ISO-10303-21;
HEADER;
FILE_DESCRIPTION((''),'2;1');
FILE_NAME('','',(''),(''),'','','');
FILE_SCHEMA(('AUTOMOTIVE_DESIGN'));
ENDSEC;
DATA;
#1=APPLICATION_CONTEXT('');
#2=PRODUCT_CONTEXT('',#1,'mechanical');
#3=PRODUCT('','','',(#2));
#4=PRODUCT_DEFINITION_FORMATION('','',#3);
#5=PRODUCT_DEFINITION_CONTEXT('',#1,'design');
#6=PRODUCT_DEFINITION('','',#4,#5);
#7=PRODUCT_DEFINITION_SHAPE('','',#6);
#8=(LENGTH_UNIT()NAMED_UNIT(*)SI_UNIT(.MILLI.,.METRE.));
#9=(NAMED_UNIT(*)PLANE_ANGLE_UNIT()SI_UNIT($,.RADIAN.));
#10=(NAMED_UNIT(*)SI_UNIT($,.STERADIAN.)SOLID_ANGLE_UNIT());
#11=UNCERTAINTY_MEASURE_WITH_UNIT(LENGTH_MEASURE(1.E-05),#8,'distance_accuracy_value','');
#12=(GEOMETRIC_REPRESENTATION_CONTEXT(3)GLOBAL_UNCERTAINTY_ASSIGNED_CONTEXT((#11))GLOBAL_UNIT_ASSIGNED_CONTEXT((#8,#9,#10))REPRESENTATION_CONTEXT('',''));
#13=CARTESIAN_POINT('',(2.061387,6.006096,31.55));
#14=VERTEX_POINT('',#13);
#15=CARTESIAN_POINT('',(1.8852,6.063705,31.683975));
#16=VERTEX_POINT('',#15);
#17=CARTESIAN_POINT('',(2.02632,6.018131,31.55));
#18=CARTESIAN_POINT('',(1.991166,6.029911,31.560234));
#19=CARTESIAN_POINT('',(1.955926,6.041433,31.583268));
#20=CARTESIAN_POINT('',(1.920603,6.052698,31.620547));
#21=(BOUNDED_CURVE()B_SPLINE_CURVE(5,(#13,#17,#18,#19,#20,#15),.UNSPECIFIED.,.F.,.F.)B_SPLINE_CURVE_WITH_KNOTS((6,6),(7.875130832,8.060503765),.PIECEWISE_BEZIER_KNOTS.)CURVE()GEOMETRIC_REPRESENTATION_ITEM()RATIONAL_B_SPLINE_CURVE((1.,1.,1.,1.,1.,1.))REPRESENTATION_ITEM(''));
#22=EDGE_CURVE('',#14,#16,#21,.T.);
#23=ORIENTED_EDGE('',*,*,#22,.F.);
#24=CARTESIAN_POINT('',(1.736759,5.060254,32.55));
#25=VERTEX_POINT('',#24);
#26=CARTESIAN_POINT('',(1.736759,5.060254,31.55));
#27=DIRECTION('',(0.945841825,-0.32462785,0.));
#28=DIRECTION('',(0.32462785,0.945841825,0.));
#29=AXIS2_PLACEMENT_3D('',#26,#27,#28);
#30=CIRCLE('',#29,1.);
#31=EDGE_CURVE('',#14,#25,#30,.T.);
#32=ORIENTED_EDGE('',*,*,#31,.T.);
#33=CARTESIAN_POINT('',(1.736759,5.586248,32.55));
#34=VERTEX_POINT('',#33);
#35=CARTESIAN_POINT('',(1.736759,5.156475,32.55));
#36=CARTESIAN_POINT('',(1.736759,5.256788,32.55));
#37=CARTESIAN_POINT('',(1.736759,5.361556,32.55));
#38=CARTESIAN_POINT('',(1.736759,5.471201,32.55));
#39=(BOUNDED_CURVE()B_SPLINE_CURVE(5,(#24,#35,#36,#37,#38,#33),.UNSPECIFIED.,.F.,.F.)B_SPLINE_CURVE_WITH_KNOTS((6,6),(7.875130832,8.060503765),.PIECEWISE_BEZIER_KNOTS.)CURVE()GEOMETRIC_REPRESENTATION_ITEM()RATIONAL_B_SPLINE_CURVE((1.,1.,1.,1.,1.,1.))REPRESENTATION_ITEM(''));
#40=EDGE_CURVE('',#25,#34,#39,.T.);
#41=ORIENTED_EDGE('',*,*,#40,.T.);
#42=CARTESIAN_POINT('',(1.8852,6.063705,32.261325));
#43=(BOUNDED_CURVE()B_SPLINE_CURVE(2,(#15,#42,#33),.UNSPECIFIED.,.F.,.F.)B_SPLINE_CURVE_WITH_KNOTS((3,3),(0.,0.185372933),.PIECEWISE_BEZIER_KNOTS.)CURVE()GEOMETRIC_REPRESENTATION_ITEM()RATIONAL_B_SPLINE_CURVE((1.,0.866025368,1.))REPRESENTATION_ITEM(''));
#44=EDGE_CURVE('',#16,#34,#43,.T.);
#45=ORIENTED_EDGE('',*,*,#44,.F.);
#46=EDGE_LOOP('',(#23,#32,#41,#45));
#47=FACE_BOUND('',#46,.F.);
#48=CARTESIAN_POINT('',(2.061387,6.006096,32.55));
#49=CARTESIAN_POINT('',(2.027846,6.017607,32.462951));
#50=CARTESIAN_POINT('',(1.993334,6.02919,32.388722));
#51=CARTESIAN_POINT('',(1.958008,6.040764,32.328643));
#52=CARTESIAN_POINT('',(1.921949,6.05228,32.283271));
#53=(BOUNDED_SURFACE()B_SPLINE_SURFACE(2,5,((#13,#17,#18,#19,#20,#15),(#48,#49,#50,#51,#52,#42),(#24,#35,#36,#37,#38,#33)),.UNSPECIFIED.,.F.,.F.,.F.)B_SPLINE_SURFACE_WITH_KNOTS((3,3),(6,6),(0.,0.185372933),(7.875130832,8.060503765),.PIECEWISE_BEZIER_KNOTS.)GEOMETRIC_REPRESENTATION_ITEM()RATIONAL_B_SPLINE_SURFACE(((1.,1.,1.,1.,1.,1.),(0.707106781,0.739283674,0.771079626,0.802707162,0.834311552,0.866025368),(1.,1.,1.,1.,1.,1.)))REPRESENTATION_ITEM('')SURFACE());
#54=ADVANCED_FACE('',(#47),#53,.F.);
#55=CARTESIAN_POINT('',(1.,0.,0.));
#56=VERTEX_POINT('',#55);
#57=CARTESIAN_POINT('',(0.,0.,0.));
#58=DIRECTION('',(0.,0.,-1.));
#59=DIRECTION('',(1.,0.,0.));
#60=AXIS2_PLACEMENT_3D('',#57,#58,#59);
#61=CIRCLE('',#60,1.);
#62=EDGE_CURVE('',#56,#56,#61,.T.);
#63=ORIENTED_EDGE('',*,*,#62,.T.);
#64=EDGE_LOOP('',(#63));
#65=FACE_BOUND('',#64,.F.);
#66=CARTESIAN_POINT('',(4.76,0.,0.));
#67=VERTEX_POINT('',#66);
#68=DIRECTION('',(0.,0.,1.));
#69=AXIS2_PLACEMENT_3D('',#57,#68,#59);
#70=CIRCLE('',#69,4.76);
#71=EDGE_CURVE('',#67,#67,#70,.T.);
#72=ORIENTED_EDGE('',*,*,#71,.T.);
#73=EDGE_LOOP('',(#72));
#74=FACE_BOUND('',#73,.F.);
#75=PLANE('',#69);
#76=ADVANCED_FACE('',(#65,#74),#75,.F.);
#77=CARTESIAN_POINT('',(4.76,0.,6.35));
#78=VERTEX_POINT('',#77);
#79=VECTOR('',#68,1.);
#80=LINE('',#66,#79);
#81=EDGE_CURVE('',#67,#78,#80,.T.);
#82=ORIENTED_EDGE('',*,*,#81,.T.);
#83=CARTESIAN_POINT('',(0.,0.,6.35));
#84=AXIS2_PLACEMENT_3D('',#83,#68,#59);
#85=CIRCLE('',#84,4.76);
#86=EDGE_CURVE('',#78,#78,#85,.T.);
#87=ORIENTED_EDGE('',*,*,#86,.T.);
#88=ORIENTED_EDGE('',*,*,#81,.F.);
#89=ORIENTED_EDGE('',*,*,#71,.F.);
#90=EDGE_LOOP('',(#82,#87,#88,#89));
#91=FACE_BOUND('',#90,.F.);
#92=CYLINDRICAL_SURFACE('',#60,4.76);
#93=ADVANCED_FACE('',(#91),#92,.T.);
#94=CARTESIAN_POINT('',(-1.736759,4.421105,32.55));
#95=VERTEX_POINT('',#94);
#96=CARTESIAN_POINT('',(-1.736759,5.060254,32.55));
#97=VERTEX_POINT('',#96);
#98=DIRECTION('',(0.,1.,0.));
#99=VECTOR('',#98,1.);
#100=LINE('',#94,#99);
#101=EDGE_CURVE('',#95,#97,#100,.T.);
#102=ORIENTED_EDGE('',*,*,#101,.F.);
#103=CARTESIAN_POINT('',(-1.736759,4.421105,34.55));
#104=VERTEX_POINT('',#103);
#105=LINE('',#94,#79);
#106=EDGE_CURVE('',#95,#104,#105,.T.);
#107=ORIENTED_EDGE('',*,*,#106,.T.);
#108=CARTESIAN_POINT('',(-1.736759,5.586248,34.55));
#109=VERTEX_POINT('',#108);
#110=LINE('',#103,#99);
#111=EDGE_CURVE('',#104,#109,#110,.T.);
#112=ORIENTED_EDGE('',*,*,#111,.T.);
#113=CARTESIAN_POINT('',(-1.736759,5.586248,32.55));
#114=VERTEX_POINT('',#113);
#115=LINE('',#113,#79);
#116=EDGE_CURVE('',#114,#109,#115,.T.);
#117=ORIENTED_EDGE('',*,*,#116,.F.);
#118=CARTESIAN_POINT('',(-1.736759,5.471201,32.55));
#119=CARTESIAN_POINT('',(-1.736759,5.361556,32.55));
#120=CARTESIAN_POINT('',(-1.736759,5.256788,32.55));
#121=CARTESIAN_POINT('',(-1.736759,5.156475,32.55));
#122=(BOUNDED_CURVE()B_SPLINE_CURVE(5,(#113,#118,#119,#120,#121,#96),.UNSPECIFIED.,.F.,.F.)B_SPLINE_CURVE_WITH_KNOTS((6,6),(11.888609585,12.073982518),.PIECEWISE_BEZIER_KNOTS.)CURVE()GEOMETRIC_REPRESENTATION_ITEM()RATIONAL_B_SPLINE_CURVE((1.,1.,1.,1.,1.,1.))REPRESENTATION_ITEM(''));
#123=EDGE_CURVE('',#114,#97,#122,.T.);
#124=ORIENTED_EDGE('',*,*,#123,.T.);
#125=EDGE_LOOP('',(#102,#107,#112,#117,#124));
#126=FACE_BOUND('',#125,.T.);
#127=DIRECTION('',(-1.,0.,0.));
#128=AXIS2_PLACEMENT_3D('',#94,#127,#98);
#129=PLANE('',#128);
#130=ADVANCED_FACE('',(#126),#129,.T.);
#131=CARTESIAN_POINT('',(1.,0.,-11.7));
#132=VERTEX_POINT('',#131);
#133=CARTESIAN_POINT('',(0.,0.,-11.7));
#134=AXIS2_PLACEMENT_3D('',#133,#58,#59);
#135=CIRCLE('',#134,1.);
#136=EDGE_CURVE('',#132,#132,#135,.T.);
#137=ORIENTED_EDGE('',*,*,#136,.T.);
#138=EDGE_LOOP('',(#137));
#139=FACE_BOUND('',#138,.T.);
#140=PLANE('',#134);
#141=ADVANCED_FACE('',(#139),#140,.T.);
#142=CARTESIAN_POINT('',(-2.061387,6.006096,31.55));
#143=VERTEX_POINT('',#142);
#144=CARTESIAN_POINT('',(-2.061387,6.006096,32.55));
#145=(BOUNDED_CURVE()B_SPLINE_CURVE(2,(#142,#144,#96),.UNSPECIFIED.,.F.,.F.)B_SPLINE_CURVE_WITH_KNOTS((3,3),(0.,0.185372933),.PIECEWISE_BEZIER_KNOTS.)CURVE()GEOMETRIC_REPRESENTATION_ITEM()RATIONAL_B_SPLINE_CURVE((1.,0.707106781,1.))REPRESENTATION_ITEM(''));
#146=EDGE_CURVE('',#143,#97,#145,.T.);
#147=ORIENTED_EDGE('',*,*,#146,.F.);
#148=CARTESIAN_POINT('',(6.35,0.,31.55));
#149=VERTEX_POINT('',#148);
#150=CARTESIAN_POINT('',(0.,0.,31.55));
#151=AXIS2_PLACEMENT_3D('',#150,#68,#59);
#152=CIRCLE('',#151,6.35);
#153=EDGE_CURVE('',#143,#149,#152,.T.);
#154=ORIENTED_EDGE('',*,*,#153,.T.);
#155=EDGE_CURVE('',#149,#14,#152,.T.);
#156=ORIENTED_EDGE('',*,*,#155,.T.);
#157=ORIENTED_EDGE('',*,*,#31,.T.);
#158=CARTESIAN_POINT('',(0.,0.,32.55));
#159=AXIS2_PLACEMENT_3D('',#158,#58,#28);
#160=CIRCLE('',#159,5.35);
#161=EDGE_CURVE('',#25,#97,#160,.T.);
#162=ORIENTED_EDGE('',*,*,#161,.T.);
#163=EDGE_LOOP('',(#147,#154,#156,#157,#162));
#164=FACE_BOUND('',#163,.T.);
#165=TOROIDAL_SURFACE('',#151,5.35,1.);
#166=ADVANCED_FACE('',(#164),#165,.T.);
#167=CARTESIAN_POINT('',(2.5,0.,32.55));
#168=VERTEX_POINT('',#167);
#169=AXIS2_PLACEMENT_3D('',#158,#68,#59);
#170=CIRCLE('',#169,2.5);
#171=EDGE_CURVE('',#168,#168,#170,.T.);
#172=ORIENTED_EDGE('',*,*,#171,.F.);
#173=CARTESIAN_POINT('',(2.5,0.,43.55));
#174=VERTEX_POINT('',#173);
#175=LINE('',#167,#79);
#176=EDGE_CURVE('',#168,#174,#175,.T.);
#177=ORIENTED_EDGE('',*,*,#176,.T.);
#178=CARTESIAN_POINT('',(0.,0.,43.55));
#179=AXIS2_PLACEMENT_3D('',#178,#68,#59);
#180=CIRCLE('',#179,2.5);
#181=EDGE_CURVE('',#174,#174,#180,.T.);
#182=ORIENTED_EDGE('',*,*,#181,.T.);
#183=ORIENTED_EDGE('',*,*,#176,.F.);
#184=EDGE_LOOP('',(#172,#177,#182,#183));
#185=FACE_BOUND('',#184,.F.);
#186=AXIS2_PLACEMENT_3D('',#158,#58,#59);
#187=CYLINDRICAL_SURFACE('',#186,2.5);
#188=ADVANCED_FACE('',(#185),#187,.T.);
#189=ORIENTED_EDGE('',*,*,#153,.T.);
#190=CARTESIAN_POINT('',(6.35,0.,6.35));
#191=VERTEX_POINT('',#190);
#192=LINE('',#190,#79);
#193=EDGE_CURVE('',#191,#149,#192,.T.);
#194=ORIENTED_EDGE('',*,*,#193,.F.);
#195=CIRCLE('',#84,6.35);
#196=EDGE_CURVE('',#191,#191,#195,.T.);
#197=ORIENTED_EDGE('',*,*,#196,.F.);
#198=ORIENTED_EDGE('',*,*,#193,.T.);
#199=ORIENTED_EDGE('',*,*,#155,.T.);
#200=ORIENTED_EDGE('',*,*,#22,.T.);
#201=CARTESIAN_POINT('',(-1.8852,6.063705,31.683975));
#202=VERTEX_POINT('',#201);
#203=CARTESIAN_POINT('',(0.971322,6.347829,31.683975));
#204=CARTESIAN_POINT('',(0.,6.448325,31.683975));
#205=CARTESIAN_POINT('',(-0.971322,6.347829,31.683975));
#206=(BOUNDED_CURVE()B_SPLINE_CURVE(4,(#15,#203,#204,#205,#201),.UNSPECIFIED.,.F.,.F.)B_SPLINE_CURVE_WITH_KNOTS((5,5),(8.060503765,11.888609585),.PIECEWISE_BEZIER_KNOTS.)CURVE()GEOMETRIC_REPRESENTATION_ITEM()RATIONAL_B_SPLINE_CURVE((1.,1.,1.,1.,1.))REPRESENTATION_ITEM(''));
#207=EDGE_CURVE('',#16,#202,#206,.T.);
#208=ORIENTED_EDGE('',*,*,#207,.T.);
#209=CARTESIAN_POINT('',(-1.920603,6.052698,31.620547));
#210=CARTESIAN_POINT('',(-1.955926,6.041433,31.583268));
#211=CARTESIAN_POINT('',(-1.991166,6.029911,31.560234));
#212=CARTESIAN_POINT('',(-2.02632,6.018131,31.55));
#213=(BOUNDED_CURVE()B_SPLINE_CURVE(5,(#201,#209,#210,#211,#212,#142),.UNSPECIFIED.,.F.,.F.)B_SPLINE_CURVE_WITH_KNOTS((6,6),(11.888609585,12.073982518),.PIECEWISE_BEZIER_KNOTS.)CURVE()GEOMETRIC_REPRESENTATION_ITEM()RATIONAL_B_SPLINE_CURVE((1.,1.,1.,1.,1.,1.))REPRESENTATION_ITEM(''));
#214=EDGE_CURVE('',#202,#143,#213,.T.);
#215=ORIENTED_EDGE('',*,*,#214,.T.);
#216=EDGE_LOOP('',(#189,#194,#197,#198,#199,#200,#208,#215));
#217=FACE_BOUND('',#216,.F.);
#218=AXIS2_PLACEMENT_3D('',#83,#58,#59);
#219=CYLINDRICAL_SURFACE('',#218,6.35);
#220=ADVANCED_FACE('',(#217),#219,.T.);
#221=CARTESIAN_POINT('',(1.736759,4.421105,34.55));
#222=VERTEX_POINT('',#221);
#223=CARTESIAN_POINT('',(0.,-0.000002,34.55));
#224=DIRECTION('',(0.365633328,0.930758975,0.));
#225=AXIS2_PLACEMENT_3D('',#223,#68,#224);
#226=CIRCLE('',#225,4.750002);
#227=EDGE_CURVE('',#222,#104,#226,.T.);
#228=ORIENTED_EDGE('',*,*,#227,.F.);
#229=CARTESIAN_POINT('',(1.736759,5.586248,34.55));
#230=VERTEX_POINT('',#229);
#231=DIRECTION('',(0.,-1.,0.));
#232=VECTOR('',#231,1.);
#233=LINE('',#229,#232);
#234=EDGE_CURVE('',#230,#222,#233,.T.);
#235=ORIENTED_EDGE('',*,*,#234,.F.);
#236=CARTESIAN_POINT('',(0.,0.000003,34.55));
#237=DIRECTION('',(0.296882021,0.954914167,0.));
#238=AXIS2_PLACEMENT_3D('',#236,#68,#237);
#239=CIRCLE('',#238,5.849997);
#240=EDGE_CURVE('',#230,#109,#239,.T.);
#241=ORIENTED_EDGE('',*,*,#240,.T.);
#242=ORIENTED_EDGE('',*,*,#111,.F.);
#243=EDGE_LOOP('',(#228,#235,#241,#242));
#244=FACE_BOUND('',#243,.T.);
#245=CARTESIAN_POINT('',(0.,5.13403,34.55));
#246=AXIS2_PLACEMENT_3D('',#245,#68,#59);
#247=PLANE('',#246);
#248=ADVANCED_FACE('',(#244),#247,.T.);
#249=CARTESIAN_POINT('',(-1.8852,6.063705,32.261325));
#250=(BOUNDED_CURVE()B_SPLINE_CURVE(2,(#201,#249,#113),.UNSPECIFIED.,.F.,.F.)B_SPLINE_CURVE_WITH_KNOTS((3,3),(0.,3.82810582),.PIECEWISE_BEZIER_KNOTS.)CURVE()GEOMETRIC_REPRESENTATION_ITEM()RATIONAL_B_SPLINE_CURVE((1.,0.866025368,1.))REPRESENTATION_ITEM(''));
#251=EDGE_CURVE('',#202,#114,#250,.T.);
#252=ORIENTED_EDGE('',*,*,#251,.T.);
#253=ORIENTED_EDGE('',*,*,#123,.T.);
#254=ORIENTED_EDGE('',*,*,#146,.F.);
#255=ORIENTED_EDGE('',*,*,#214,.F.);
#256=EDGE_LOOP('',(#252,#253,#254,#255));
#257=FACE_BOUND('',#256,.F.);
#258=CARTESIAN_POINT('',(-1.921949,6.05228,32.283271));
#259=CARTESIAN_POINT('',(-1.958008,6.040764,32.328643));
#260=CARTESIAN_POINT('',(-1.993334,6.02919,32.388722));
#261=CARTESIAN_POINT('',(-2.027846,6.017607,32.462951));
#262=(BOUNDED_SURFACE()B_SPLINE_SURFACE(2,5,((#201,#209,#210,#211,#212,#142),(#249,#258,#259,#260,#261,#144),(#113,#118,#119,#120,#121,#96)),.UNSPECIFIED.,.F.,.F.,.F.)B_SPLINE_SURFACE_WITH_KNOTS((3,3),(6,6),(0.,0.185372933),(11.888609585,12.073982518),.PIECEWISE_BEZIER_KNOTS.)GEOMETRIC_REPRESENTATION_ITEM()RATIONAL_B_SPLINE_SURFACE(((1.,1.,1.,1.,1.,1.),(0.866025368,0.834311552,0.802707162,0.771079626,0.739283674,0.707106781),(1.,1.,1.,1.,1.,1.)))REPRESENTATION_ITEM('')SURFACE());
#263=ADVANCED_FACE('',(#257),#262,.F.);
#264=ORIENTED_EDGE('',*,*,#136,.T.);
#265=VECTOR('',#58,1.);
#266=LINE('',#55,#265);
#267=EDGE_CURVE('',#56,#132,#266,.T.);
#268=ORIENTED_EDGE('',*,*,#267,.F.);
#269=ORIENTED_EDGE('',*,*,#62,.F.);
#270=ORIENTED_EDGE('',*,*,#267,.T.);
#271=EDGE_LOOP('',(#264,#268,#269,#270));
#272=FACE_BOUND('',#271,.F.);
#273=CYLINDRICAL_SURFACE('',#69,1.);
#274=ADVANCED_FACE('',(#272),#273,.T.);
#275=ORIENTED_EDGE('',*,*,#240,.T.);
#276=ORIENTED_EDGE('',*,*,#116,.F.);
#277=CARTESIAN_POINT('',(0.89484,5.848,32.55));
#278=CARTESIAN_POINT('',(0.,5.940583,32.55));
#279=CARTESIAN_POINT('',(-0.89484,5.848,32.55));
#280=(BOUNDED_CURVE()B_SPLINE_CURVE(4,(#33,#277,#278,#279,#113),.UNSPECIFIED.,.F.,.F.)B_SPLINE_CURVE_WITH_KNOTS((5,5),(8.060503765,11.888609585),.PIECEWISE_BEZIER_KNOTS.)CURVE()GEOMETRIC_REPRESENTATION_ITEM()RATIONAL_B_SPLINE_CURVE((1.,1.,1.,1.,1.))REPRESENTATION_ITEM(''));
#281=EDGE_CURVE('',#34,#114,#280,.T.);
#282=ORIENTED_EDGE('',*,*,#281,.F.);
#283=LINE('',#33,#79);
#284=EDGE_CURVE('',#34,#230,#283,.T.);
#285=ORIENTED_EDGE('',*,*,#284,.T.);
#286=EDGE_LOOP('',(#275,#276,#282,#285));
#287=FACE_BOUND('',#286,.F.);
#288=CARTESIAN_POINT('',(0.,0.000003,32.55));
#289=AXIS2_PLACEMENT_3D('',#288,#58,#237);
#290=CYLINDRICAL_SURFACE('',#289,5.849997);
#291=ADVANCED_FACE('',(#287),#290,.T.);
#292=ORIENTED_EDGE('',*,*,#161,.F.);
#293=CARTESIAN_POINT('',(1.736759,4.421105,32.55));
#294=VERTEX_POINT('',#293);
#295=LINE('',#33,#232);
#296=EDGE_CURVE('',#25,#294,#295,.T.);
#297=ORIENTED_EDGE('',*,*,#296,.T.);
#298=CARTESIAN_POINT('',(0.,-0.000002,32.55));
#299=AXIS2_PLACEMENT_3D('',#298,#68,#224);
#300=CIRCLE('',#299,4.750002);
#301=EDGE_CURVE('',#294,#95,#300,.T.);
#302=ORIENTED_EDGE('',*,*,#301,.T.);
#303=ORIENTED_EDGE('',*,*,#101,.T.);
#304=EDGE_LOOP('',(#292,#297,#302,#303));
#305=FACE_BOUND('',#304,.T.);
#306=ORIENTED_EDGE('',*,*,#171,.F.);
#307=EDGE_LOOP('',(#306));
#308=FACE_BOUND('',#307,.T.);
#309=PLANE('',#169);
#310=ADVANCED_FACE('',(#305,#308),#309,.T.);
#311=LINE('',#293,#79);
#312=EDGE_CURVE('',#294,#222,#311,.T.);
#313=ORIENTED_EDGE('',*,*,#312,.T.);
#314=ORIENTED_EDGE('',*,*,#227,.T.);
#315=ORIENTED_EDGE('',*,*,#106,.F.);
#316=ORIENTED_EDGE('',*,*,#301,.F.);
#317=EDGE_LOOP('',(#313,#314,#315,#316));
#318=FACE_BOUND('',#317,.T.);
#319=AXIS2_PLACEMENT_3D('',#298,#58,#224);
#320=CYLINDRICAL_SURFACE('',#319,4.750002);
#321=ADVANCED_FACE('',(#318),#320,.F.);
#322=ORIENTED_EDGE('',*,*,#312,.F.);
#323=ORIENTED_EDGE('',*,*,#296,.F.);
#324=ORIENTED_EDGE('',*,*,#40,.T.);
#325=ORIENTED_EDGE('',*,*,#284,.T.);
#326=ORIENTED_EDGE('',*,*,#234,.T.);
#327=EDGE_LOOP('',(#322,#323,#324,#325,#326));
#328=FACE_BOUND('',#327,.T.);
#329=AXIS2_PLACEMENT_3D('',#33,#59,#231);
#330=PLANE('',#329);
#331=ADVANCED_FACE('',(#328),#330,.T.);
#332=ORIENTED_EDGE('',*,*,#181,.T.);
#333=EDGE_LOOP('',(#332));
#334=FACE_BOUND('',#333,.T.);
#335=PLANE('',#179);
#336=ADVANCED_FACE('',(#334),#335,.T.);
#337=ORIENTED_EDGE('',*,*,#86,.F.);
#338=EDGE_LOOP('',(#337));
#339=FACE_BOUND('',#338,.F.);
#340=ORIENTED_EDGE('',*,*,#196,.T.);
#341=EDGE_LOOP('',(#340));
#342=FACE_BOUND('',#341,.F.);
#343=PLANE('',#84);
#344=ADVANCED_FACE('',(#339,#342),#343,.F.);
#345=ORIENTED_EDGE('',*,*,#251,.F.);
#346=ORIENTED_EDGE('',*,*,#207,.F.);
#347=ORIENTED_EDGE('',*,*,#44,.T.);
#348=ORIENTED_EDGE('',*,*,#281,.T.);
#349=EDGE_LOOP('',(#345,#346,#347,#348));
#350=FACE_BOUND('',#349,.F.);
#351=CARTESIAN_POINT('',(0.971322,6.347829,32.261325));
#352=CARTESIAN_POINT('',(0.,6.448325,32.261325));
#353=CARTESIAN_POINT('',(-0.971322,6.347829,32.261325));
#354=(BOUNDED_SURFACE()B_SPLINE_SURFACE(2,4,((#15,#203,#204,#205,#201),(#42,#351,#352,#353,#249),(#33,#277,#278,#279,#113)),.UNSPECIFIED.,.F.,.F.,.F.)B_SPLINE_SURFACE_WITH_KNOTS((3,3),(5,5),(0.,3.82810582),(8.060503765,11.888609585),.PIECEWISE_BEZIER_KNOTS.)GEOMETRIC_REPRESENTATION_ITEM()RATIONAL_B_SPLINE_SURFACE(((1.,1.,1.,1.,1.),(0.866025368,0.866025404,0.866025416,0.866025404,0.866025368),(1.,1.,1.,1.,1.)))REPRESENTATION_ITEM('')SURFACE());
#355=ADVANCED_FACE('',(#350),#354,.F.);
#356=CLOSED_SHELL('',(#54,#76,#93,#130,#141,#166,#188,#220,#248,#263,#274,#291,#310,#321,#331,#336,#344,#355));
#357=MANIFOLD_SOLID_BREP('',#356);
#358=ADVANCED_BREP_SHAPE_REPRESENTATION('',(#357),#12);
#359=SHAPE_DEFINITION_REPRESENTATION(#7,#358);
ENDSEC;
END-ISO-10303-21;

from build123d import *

# Parameters (mm, degrees)
SKETCH_R     = 4.76
PAD_DEPTH    = 6.35
SKETCH001_R  = 6.35
PAD001_DEPTH = 26.2
SKETCH002_R  = 1
PAD002_DEPTH = 11.7
SKETCH003_R  = 2.5
PAD003_DEPTH = 11
PAD004_DEPTH = 2
FILLET_R     = 1


with BuildPart() as part:
    # Sketch → Pad (new body)
    with BuildSketch(Plane.XY):
        Circle(SKETCH_R)
    extrude(amount=PAD_DEPTH)

    # Sketch001 (on Face3 of Pad) → Pad001 (join)
    with BuildSketch(Plane.XY.offset(6.35)):
        Circle(SKETCH001_R)
    extrude(amount=PAD001_DEPTH)

    # Sketch002 (on Face5 of Pad001) → Pad002 (join)
    with BuildSketch(Plane(origin=(0, 0, 0), x_dir=(1, 0, 0), z_dir=(0, 0, -1))):
        Circle(SKETCH002_R)
    extrude(amount=PAD002_DEPTH)

    # Sketch003 (on Face3 of Pad002) → Pad003 (join)
    with BuildSketch(Plane.XY.offset(32.55)):
        Circle(SKETCH003_R)
    extrude(amount=PAD003_DEPTH)

    # Sketch004 (on Face3 of Pad003) → Pad004 (join)
    with BuildSketch(Plane.XY.offset(32.55)):
        with BuildLine():
            ThreePointArc((1.736759, 5.586248), (0, 5.85), (-1.736759, 5.586248))
            Line((-1.736759, 4.421105), (-1.736759, 5.586248))
            ThreePointArc((1.736759, 4.421105), (0, 4.75), (-1.736759, 4.421105))
            Line((1.736759, 5.586248), (1.736759, 4.421105))
        make_face()
    extrude(amount=PAD004_DEPTH)

    # Fillet
    fillet_edges = [part.edges().sort_by_distance(p)[0] for p in [
        (-6.35, 0, 32.55),
    ]]
    fillet(fillet_edges, radius=FILLET_R)


solid = part.part
